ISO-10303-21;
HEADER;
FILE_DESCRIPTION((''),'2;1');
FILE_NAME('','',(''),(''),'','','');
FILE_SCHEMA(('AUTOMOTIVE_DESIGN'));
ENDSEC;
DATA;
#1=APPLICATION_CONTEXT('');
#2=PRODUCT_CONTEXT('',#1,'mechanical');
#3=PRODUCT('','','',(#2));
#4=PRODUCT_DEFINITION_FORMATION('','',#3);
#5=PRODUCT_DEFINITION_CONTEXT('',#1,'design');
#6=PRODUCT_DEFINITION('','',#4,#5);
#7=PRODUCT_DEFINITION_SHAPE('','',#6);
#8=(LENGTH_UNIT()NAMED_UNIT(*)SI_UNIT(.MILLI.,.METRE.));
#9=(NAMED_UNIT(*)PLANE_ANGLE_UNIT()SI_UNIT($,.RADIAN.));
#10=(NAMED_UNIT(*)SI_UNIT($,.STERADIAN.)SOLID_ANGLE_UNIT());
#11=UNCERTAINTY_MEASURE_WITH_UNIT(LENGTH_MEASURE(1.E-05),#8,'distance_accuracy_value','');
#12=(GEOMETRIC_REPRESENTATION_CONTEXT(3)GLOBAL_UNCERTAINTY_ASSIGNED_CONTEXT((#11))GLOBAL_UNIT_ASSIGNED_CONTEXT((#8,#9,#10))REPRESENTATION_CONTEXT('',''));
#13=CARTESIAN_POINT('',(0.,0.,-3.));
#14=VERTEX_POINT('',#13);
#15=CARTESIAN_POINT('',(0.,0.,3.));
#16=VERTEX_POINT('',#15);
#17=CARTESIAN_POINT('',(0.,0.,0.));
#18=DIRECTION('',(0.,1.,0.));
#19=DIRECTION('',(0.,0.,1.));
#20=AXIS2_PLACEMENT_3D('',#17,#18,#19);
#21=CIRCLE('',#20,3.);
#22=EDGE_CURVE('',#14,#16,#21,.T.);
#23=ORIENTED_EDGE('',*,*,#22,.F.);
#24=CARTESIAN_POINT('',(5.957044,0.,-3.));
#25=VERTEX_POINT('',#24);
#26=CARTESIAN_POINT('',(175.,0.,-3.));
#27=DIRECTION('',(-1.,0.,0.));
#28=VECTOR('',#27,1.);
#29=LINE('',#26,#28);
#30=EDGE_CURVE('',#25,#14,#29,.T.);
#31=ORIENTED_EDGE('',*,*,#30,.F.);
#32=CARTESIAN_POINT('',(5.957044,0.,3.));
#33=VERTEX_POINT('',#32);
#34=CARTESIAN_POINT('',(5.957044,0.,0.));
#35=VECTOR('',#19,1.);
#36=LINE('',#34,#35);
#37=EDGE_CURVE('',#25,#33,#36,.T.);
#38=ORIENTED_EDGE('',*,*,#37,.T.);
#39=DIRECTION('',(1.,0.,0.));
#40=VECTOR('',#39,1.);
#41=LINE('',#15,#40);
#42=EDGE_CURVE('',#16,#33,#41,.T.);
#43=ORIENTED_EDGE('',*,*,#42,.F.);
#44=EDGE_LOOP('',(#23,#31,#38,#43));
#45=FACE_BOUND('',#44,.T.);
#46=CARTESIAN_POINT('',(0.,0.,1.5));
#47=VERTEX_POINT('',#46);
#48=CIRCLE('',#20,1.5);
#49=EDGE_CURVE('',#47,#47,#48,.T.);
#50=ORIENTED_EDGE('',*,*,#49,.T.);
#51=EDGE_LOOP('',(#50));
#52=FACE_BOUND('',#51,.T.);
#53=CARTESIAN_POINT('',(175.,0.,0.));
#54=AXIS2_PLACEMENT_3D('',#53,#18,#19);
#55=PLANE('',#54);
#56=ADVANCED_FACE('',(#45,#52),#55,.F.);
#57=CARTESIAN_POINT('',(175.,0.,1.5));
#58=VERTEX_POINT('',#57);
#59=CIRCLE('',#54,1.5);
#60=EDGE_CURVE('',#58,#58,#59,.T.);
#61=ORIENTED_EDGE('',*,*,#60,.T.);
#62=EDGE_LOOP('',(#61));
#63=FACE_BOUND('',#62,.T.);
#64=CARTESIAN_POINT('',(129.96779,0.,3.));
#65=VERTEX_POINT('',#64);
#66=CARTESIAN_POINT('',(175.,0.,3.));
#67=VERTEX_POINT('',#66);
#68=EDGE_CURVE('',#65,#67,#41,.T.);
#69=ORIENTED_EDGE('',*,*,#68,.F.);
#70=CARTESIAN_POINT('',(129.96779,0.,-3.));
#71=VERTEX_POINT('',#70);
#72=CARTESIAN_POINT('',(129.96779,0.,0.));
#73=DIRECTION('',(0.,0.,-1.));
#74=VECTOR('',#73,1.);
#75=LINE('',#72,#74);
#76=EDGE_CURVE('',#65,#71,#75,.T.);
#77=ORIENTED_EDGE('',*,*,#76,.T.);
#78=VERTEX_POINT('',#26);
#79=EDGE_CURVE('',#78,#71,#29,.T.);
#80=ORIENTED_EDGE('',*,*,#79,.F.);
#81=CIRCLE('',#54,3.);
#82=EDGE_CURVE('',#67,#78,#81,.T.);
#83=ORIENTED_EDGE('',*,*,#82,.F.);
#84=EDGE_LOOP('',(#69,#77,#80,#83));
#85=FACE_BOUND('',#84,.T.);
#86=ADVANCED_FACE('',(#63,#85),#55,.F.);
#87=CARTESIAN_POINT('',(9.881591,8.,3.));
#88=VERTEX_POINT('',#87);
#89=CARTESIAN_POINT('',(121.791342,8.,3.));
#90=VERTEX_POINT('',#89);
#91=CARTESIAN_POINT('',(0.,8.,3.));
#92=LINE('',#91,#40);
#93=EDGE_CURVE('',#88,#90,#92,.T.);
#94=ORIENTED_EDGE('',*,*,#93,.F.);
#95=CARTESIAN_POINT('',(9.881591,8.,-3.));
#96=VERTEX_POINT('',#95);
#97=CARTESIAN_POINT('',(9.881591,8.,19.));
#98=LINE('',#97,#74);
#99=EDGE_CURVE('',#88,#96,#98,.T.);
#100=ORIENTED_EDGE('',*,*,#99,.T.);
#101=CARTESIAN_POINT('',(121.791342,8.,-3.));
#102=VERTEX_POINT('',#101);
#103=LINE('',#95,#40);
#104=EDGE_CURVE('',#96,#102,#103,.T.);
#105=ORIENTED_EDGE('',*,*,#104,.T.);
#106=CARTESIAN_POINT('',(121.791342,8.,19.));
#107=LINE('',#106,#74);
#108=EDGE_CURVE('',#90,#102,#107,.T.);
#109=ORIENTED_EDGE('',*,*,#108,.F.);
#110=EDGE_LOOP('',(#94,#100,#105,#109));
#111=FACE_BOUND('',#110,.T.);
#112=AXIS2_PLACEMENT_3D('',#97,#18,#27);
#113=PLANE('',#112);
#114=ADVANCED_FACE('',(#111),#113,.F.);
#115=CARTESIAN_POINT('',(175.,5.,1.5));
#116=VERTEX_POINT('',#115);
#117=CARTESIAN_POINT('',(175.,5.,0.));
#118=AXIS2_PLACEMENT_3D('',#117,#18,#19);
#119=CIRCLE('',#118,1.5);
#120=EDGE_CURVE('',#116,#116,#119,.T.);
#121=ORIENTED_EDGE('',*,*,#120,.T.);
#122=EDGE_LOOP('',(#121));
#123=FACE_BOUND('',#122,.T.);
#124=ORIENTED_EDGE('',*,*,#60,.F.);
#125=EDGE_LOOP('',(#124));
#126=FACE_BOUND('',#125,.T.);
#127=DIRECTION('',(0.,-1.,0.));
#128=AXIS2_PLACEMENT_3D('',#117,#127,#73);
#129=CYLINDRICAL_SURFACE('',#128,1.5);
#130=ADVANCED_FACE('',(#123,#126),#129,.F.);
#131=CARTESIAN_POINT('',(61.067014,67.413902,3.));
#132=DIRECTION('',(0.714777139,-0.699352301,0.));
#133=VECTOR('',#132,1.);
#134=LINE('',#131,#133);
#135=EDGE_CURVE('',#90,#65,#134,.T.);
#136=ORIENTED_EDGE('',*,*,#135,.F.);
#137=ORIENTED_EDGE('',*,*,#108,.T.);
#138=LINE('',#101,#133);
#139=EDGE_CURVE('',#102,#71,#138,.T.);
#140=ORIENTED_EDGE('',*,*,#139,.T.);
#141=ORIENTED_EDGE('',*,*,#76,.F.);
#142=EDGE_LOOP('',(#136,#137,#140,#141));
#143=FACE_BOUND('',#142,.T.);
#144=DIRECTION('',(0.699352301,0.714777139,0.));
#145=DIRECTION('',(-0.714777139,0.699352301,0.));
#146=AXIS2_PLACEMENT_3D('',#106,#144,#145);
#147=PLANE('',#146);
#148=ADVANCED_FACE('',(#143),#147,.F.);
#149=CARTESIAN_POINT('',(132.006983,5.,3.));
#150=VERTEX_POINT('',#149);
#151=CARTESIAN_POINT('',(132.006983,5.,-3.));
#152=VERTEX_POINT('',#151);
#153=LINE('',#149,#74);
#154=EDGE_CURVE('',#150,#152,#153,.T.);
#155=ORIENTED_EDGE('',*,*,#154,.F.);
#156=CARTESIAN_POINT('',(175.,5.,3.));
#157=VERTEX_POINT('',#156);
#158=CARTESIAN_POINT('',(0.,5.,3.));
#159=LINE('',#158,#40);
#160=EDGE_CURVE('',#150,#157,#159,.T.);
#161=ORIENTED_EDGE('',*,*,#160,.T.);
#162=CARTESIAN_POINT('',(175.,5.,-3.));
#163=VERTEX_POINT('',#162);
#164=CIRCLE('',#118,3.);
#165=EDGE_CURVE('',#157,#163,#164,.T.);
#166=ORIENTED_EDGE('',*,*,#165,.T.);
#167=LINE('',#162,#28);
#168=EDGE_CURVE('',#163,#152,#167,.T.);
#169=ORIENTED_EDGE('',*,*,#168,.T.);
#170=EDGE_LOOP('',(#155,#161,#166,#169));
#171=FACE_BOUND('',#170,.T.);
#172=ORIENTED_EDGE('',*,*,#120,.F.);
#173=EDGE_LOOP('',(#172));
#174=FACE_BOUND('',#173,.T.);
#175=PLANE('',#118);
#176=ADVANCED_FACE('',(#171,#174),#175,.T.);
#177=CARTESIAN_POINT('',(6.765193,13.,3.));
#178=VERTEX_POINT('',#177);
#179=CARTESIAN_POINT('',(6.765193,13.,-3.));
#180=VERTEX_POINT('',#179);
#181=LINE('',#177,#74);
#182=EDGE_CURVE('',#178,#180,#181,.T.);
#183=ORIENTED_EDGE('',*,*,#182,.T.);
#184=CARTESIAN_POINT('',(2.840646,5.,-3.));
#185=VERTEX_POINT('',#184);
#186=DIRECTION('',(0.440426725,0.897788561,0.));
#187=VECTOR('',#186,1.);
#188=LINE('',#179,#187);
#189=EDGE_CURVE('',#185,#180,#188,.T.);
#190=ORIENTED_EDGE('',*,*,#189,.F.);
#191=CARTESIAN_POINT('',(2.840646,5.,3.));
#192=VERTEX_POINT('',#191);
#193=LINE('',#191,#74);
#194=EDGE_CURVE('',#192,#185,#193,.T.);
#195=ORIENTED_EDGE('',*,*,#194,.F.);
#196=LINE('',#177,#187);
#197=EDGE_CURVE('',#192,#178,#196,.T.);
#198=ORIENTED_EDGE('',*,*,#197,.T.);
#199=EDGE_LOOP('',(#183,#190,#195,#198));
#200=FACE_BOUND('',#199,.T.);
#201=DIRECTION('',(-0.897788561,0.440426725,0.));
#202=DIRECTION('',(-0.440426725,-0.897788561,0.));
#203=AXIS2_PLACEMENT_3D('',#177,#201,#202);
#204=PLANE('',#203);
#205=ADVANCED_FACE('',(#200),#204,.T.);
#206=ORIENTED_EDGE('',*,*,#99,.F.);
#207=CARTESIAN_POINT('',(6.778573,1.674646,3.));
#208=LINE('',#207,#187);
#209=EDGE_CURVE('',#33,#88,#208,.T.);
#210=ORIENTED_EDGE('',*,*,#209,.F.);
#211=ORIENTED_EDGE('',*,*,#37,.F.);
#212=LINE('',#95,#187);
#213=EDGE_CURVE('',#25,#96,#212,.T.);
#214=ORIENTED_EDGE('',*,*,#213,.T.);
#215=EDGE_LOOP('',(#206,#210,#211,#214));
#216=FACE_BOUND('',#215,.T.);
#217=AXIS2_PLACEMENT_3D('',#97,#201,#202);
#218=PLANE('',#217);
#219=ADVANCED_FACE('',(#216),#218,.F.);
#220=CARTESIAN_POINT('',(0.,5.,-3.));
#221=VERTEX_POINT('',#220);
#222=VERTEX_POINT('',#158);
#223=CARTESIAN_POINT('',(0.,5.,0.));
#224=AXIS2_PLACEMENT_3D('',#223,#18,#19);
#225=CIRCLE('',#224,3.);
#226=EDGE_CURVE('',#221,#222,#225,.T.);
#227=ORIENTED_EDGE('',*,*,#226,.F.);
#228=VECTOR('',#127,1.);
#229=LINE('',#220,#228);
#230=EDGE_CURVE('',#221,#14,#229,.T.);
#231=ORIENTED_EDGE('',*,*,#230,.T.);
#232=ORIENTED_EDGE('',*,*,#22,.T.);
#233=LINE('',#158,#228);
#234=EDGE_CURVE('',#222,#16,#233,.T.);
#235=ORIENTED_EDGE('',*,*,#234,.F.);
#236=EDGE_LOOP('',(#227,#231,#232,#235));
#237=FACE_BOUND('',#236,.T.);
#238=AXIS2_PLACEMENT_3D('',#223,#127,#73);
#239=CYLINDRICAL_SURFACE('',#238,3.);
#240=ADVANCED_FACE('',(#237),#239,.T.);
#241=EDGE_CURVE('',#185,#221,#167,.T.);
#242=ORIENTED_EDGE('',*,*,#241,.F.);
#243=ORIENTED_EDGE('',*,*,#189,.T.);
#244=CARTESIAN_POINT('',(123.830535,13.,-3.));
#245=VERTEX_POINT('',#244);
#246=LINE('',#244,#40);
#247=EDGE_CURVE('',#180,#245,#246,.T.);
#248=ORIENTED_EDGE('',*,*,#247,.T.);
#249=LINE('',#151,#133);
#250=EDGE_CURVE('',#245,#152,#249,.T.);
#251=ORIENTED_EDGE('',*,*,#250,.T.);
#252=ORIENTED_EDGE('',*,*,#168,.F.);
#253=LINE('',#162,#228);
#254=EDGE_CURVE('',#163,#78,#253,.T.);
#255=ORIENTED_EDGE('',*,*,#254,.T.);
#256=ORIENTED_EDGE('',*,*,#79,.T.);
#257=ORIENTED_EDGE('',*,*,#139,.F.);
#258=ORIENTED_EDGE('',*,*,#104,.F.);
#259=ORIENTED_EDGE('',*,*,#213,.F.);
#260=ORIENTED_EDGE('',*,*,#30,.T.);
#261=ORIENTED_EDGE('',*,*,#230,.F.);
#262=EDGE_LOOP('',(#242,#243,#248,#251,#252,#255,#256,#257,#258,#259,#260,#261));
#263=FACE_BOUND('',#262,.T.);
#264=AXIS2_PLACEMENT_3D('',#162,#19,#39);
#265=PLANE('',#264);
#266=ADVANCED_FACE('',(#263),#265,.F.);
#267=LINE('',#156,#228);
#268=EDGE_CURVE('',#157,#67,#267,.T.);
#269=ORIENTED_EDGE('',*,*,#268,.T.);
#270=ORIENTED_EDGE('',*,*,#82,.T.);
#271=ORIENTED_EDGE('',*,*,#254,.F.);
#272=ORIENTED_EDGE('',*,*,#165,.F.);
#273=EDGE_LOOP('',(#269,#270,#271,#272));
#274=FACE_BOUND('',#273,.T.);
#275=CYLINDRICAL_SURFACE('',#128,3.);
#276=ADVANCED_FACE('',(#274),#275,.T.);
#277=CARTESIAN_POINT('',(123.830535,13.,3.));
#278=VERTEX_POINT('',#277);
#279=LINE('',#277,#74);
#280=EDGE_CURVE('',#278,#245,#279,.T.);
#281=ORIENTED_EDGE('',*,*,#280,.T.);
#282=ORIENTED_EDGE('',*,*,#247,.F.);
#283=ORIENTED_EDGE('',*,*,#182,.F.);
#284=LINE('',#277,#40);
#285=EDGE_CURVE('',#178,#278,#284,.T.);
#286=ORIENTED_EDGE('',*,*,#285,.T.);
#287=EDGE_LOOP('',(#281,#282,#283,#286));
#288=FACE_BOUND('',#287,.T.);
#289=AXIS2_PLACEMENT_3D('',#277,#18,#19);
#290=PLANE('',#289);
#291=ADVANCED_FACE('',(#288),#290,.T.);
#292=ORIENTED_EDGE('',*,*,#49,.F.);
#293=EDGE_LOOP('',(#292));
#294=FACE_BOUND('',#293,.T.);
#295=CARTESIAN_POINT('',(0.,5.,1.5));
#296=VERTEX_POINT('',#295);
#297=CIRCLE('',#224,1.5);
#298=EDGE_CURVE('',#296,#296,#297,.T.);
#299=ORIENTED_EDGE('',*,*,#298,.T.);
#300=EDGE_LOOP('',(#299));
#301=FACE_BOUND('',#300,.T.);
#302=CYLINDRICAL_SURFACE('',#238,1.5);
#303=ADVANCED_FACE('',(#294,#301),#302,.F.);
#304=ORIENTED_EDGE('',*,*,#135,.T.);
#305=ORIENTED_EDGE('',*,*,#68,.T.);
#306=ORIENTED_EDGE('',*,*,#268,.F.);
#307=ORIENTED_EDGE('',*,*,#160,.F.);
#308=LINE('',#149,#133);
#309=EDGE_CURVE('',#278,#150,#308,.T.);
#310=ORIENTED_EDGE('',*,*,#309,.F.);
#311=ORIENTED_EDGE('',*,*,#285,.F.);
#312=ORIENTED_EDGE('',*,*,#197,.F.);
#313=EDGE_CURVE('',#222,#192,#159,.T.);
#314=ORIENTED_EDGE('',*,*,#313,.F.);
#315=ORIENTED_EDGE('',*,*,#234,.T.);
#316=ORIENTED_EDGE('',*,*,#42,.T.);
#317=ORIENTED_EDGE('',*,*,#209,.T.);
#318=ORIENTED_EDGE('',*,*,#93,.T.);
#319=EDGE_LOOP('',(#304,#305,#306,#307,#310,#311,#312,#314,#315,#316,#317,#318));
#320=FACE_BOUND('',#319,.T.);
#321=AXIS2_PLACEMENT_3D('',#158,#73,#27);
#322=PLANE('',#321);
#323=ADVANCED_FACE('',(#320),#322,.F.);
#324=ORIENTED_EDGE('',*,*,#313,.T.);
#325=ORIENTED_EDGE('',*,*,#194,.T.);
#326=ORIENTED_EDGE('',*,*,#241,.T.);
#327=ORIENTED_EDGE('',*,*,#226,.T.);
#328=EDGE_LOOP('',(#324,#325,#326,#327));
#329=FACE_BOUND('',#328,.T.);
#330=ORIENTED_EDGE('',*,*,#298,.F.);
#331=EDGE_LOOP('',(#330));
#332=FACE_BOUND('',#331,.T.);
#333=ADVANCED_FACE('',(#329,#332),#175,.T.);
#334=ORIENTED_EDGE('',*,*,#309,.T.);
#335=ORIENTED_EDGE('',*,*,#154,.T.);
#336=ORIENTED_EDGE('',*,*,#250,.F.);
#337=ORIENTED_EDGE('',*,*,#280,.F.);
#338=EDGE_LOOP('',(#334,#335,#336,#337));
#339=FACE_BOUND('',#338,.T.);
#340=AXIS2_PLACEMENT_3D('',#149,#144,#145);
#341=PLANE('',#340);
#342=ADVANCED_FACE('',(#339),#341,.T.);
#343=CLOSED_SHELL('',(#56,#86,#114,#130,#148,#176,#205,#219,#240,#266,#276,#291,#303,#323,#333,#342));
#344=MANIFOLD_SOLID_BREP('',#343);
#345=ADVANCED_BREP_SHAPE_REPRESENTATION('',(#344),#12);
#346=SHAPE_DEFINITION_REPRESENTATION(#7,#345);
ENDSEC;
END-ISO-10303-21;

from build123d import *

# Parameters (mm, degrees)
CROQUIS1_R              = 1.5
SALIENTE_EXTRUIR1_DEPTH = 5
SALIENTE_EXTRUIR2_DEPTH = 6
CORTAR_EXTRUIR2_DEPTH   = 22


with BuildPart() as part:
    # Croquis1 → Saliente-Extruir1 (new body)
    with BuildSketch(Plane(origin=(0, 0, 0), x_dir=(1, 0, 0), z_dir=(0, 1, 0))):
        with BuildLine():
            Line((175, 3), (0, 3))
            ThreePointArc((0, 3), (-3, 0), (0, -3))
            Line((0, -3), (175, -3))
            ThreePointArc((175, -3), (178, 0), (175, 3))
        make_face()
        with Locations(Location((0, 0, 0), (0, 0, 270))):
            Circle(CROQUIS1_R, mode=Mode.SUBTRACT)
        with Locations(Location((175, 0, 0), (0, 0, 270))):
            Circle(CROQUIS1_R, mode=Mode.SUBTRACT)
    extrude(amount=SALIENTE_EXTRUIR1_DEPTH)

    # Croquis2 → Saliente-Extruir2 (add)
    with BuildSketch(Plane(origin=(0, 0, -3), x_dir=(-1, 0, 0), z_dir=(0, 0, -1))):
        Polygon((-132.006982503, 5), (-123.830535375, 13), (-6.765193463, 13), (-2.840646017, 5), (-120, 5), align=None)
    extrude(amount=-SALIENTE_EXTRUIR2_DEPTH)

    # Croquis4 → Cortar-Extruir2 (cut)
    with BuildSketch(Plane(origin=(0, 0, -3), x_dir=(-1, 0, 0), z_dir=(0, 0, -1))):
        Polygon((-9.88159135, 8), (-3.108751036, -5.80610714), (-63.338491444, -7.280350793), (-136.266049088, -6.162343586), (-121.791342394, 8), align=None)
    extrude(amount=-CORTAR_EXTRUIR2_DEPTH, mode=Mode.SUBTRACT)


solid = part.part
